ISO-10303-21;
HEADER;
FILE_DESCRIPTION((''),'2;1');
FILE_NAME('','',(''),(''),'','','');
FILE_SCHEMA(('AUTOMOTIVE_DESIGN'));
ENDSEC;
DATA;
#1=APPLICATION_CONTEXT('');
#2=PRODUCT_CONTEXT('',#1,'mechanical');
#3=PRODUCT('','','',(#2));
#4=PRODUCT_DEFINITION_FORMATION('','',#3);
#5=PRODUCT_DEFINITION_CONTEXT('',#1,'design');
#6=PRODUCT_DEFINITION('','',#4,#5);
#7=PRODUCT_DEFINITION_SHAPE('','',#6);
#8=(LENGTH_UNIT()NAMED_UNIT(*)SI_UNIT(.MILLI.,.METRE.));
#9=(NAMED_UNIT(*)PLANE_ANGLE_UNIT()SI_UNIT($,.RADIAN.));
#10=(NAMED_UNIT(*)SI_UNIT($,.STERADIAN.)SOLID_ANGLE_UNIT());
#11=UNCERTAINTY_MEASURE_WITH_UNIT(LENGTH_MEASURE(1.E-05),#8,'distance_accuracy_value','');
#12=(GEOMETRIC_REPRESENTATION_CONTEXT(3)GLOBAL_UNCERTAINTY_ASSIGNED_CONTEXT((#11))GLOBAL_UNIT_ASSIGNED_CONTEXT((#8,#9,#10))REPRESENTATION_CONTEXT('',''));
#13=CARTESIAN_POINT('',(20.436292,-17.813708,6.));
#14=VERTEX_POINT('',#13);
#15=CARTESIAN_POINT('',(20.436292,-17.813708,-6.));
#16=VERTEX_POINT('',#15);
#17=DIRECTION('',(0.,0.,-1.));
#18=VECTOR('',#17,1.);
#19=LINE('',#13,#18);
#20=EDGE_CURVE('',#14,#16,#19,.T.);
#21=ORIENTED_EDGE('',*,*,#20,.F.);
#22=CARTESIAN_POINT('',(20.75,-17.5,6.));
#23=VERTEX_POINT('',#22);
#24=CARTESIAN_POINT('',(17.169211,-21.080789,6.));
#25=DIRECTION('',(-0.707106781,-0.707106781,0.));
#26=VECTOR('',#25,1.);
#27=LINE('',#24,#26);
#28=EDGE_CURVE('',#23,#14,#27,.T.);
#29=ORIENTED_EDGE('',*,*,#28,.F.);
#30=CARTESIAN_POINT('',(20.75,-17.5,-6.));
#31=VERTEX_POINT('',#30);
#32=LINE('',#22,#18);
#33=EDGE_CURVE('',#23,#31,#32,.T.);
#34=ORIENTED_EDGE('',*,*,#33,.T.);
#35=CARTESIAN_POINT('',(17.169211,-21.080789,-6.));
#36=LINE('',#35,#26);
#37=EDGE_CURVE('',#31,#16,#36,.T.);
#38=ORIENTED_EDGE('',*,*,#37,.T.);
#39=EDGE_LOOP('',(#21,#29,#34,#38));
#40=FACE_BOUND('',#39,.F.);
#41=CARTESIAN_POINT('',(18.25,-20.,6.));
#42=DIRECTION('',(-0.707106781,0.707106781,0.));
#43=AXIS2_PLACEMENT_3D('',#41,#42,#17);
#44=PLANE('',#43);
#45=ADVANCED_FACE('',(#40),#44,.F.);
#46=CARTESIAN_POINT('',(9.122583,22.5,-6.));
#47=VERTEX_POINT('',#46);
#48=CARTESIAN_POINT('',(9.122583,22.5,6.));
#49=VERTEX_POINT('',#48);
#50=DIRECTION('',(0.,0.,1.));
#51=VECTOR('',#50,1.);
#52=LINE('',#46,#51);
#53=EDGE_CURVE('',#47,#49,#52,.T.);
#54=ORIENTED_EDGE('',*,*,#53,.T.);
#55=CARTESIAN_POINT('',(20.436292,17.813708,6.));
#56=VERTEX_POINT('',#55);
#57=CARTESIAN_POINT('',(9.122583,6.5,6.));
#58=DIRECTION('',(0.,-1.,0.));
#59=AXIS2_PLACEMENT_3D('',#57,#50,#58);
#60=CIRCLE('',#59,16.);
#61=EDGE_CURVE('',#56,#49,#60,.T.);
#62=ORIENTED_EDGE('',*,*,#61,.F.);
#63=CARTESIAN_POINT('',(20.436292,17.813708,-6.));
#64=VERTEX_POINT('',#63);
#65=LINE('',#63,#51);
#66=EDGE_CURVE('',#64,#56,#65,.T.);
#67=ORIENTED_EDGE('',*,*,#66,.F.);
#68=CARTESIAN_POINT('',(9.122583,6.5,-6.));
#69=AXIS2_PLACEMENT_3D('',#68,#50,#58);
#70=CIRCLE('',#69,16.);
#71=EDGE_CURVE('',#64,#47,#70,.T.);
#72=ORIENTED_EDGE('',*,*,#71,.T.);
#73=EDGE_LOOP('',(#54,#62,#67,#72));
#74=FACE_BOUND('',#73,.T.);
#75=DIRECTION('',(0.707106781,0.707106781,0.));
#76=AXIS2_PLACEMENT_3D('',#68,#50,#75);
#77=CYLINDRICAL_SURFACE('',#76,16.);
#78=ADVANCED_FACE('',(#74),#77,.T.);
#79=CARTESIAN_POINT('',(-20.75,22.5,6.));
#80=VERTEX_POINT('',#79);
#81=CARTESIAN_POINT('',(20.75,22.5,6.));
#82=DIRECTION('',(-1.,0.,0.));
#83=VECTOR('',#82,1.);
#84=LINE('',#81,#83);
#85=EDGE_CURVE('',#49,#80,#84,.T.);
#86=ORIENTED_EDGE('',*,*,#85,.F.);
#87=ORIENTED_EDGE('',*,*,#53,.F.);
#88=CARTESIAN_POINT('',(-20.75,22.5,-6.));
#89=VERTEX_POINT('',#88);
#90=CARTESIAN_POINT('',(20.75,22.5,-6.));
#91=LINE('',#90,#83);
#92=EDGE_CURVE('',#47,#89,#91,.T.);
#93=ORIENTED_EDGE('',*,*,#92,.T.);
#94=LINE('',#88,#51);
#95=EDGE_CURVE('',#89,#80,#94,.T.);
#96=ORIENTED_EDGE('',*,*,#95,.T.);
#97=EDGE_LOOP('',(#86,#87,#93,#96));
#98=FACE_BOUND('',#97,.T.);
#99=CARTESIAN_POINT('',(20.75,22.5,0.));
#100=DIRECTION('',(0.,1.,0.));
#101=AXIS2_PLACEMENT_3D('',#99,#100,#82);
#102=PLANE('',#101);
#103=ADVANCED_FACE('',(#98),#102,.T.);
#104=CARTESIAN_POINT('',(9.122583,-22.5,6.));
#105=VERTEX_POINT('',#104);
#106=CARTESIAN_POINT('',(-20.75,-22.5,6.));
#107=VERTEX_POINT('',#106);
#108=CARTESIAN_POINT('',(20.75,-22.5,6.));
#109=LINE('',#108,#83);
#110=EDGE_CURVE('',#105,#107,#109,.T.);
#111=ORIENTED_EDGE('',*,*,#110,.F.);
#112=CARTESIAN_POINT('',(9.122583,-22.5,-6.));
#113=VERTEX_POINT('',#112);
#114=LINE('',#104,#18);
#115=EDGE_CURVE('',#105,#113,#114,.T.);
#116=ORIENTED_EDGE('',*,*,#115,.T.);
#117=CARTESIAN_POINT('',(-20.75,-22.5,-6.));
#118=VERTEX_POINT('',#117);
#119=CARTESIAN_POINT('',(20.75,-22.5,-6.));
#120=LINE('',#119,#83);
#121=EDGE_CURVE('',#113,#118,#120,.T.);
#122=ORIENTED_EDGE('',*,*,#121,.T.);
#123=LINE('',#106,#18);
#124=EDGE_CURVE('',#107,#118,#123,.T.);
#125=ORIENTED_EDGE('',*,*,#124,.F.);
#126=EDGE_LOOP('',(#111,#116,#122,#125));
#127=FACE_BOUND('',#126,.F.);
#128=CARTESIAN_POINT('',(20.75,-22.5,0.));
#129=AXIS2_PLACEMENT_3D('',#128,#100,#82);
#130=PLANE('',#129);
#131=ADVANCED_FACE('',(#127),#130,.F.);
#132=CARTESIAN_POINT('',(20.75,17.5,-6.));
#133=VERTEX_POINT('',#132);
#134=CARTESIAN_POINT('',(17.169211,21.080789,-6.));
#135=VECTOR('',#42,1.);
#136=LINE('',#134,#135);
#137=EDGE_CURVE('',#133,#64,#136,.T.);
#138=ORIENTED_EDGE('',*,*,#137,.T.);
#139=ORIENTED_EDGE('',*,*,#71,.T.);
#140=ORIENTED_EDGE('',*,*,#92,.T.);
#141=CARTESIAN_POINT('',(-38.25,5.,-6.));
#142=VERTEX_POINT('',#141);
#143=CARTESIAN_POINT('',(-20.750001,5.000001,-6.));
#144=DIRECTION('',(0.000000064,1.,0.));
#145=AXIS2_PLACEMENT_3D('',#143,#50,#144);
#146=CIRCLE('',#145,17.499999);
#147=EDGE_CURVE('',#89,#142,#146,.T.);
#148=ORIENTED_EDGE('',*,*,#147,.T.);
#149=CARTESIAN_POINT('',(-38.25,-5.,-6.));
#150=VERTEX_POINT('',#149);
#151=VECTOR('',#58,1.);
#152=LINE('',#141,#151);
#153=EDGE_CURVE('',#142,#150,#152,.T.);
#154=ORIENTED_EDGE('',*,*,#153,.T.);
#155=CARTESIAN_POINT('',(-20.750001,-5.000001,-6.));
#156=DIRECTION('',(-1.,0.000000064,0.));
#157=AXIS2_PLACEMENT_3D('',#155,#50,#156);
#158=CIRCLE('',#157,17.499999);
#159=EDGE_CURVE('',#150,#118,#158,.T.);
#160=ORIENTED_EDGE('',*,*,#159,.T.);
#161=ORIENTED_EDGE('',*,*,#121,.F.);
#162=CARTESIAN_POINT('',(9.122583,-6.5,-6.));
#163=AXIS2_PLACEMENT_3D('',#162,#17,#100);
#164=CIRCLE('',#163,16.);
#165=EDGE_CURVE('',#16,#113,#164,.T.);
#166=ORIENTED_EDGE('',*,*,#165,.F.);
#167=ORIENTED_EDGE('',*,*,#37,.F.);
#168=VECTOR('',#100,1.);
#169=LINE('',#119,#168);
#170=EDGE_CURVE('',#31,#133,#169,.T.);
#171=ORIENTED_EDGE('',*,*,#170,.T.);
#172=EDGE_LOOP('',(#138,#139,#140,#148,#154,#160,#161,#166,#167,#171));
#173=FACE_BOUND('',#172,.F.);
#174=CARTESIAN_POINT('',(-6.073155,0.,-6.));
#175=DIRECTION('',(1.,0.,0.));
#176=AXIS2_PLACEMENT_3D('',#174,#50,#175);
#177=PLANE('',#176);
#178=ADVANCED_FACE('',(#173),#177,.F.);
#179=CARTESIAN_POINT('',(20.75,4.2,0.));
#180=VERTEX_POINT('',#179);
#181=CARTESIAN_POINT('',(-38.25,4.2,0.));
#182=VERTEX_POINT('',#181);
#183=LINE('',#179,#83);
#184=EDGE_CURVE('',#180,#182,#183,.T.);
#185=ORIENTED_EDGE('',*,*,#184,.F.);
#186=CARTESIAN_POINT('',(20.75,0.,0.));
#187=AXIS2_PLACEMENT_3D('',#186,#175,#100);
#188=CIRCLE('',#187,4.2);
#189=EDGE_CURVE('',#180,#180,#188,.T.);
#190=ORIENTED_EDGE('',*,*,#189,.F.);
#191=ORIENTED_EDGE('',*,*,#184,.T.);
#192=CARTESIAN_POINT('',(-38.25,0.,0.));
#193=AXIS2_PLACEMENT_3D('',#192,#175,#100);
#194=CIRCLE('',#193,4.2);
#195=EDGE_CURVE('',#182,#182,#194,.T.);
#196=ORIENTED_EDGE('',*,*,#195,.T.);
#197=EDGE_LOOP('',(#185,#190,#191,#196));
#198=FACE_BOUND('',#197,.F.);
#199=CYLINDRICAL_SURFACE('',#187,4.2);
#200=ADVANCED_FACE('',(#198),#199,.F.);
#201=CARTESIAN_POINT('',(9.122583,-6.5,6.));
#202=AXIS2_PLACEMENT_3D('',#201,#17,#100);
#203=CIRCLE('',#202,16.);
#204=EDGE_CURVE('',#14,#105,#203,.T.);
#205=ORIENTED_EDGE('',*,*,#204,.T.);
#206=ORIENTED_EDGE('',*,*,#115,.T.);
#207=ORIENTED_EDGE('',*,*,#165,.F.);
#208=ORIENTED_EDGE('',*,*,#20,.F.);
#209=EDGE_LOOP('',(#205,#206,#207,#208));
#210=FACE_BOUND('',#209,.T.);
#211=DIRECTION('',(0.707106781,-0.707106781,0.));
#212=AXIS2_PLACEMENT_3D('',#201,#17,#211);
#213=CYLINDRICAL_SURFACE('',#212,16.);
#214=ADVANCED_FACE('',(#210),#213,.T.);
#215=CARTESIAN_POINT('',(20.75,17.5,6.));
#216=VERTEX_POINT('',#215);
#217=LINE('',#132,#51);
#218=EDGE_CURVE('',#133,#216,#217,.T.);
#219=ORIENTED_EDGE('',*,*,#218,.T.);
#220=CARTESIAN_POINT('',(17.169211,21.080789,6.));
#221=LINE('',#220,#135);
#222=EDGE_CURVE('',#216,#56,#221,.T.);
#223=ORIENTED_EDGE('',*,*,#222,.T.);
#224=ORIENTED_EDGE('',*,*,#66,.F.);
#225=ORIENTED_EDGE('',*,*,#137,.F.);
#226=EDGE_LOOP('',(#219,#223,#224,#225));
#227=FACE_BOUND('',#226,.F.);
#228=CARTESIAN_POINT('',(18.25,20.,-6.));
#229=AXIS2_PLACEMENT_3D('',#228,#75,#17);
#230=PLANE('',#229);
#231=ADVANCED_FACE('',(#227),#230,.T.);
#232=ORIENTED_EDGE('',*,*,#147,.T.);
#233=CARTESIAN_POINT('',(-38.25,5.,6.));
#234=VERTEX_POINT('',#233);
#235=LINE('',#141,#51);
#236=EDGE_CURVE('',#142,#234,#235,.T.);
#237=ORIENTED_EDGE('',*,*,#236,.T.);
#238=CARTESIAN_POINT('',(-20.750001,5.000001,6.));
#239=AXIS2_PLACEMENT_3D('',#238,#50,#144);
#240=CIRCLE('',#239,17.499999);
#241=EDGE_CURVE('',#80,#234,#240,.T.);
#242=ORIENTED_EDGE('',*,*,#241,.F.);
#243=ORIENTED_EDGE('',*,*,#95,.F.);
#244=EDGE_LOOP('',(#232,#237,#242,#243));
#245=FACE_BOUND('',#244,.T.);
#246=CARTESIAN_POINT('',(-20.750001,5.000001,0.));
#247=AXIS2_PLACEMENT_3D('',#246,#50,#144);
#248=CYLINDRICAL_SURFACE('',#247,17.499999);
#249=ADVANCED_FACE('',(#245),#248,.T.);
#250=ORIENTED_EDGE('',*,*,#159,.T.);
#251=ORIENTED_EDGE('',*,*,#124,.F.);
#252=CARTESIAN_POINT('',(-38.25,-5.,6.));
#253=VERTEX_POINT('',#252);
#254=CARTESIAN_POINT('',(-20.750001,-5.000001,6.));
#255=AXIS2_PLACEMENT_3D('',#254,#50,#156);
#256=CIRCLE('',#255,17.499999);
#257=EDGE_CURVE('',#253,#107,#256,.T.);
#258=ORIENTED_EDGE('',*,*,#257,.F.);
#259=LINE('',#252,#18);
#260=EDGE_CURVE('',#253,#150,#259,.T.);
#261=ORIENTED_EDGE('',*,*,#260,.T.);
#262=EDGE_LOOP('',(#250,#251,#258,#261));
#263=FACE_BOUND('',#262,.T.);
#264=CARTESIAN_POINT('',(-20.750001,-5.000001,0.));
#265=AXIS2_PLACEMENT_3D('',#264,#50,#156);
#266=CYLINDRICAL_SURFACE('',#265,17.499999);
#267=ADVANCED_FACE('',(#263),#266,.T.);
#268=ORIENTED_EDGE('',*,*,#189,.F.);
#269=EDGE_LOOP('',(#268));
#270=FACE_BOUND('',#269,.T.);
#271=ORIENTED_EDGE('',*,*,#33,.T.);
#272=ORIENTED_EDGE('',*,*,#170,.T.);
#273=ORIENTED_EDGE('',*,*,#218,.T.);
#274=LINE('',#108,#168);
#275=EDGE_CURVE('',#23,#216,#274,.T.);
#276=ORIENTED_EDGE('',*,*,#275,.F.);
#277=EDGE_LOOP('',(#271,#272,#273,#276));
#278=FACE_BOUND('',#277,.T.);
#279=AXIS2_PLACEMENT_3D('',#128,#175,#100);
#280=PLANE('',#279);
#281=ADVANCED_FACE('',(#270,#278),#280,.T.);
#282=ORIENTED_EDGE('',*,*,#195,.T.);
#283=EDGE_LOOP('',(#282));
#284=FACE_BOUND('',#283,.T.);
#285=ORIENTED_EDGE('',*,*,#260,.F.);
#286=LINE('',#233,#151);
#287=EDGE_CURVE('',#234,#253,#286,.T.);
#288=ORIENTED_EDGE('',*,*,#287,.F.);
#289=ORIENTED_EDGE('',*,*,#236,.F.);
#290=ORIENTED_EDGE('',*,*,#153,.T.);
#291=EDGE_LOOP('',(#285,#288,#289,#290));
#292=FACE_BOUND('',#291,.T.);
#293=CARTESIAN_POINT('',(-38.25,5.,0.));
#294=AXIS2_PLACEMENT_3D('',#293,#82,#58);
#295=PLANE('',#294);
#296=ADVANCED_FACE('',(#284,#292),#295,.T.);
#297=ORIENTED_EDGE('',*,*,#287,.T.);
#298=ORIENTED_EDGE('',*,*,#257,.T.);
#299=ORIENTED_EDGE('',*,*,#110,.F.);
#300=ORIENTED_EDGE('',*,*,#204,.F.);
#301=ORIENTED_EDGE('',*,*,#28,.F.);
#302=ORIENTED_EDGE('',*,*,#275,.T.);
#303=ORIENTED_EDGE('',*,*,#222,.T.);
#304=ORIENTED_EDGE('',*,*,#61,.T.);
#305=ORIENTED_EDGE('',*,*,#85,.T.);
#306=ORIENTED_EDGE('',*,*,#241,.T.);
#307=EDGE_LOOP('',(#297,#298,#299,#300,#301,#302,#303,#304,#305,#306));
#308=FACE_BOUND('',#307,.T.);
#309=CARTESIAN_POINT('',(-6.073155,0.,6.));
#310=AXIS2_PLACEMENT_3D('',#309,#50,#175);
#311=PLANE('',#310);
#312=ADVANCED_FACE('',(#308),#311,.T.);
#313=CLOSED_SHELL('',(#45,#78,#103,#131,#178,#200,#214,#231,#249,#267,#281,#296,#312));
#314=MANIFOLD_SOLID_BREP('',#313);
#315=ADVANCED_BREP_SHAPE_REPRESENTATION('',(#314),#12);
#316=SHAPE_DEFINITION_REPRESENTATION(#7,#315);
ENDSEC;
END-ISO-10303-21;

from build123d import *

# Parameters (mm, degrees)
PAD_DEPTH    = 6
SKETCH002_R  = 4.2
POCKET_DEPTH = 59.001
CHAMFER_SIZE = 5
FILLET_R     = 16


with BuildPart() as part:
    # Sketch → Pad (new body, symmetric)
    with BuildSketch(Plane.XY):
        with BuildLine():
            Line((20.75, -22.5), (20.75, 22.5))
            Line((20.75, 22.5), (-20.75, 22.5))
            ThreePointArc((-20.75, 22.5), (-33.124369, 17.374369), (-38.25, 5))
            Line((-38.25, 5), (-38.25, -5))
            ThreePointArc((-38.25, -5), (-33.124369, -17.374369), (-20.75, -22.5))
            Line((20.75, -22.5), (-20.75, -22.5))
        make_face()
    extrude(amount=PAD_DEPTH, both=True)

    # Sketch002 → Pocket (cut, through all)
    with BuildSketch(Plane.YZ.offset(20.75)):
        Circle(SKETCH002_R)
    extrude(amount=-POCKET_DEPTH, mode=Mode.SUBTRACT)

    # Chamfer
    chamfer_edges = [part.edges().sort_by_distance(p)[0] for p in [
        (20.75, 22.5, 0),
        (20.75, -22.5, 0),
    ]]
    chamfer(chamfer_edges, length=CHAMFER_SIZE)

    # Fillet
    fillet_edges = [part.edges().sort_by_distance(p)[0] for p in [
        (15.75, 22.5, 0),
        (15.75, -22.5, 0),
    ]]
    fillet(fillet_edges, radius=FILLET_R)


solid = part.part
